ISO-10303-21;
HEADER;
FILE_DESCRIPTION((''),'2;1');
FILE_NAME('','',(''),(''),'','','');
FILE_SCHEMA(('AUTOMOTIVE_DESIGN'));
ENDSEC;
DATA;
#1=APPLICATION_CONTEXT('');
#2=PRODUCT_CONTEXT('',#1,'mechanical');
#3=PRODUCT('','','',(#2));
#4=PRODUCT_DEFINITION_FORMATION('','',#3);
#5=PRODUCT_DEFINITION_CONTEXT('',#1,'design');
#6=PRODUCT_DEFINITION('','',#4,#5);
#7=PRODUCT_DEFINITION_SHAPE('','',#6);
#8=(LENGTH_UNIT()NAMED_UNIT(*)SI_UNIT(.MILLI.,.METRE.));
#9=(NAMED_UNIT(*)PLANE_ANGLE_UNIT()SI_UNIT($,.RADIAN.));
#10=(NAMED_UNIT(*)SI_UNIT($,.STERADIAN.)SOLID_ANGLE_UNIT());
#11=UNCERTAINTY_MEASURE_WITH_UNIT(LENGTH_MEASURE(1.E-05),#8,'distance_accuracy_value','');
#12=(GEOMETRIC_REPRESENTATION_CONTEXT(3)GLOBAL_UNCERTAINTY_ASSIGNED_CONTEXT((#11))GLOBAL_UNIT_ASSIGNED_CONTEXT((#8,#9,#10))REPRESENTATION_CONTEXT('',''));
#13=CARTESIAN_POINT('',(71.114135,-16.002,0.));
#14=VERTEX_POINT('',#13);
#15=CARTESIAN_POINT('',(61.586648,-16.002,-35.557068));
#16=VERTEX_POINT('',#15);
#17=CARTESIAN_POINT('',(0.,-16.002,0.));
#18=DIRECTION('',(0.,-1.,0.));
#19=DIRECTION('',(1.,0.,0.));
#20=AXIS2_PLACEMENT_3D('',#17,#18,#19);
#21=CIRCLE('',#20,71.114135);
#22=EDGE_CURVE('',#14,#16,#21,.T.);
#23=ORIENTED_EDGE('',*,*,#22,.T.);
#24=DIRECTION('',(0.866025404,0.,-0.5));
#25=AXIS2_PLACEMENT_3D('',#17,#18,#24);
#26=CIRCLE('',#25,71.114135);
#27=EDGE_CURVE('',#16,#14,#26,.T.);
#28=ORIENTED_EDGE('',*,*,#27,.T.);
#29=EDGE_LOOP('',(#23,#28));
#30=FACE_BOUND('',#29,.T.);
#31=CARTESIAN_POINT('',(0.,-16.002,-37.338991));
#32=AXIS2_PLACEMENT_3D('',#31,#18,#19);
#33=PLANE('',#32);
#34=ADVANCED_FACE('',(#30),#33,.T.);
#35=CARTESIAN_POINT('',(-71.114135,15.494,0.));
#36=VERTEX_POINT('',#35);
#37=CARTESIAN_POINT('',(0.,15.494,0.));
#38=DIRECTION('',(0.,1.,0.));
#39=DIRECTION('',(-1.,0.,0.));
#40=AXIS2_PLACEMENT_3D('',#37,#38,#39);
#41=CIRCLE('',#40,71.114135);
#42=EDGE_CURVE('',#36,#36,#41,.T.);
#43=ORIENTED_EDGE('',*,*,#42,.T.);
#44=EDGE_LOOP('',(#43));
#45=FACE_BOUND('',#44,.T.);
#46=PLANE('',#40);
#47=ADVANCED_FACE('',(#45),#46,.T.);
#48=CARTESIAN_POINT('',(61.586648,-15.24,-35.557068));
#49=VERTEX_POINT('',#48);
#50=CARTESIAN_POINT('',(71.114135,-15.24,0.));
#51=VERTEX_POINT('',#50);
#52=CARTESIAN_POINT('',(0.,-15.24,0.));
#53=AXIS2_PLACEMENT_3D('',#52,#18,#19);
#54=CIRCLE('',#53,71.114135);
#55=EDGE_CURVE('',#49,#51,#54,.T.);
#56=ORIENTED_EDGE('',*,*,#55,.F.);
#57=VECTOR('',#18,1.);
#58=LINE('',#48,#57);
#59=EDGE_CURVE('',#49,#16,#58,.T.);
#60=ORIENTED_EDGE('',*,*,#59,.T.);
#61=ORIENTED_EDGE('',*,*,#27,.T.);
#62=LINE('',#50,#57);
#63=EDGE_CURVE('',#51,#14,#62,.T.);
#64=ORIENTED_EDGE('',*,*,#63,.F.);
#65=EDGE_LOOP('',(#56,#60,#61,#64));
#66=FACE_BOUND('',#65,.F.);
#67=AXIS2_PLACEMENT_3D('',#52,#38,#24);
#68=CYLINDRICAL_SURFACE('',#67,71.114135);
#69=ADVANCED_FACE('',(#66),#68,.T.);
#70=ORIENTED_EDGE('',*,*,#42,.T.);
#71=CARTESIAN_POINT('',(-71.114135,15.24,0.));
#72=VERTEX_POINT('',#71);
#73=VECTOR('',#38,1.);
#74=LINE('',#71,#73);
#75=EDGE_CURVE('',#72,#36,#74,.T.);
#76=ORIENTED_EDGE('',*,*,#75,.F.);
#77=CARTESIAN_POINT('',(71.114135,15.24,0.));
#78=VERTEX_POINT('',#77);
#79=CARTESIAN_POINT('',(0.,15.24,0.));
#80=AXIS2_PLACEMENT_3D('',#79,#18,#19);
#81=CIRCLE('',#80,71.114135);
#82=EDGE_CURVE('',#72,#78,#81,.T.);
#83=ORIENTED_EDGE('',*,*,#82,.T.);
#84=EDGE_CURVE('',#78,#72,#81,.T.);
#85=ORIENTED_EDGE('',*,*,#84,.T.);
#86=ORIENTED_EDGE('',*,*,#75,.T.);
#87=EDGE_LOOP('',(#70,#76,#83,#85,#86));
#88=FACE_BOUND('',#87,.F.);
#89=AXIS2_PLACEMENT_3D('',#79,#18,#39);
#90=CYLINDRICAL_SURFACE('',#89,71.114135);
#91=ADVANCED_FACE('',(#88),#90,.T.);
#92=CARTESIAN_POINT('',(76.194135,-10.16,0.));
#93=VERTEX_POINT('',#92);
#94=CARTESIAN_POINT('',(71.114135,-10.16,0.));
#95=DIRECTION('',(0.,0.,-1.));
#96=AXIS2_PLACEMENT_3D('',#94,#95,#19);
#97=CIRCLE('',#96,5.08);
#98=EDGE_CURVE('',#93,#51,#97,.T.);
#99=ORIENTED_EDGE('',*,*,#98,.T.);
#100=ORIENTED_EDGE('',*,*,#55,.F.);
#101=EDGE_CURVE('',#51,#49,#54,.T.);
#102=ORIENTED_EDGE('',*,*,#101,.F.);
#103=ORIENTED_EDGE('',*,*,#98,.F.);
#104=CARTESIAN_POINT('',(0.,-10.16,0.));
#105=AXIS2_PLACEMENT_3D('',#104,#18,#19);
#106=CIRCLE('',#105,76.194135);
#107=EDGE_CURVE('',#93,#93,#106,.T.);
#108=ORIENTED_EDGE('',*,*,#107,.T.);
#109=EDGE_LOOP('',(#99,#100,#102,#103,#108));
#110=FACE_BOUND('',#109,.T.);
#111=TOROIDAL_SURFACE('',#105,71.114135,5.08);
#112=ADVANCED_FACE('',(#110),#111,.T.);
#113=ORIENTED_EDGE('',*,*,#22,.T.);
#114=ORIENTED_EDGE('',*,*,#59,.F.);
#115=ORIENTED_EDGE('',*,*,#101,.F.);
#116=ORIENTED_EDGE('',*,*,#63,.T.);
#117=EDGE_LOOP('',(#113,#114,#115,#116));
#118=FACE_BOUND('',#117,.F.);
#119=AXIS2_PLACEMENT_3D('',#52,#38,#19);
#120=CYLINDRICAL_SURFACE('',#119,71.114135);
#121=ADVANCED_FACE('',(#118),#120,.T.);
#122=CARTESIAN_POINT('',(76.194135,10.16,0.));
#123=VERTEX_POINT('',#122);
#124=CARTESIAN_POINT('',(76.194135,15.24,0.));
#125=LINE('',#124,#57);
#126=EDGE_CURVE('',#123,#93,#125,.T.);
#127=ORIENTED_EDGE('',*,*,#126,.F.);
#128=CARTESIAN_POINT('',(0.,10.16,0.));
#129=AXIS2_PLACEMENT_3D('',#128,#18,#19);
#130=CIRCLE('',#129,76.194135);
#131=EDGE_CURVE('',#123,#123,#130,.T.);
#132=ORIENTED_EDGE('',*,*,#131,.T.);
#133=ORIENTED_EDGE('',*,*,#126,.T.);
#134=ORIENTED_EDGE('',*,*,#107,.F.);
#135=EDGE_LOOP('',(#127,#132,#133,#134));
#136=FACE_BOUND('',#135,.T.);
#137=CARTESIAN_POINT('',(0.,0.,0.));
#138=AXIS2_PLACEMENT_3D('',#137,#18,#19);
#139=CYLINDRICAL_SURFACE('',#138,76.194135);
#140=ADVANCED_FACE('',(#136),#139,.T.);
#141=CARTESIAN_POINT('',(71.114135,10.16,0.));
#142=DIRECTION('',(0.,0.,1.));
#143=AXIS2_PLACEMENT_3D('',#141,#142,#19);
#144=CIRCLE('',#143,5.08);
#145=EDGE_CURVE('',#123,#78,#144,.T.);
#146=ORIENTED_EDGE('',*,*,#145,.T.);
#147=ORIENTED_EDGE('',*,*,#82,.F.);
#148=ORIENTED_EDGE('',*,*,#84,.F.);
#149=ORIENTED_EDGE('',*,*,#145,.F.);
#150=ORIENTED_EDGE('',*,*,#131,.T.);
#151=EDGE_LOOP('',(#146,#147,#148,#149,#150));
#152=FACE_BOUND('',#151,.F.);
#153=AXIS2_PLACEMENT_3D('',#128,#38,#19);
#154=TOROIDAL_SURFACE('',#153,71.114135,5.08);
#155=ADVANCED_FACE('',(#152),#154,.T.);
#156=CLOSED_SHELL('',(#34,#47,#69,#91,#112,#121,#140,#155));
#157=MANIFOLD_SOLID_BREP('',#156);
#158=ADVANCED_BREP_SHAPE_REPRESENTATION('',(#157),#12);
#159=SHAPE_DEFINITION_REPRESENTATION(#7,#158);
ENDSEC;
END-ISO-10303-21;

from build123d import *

# Parameters (mm, degrees)
F0_R     = 76.194135209
F1_DEPTH = 15.24
F2_DEPTH = 15.24
F3_R     = 5.08
F5_DEPTH = 0.762
F6_R     = 71.114135209
F7_DEPTH = 0.254


with BuildPart() as f1:
    # F0 (on Front) → F1 (new body)
    with BuildSketch(Plane.XZ):
        Circle(F0_R)
    extrude(amount=F1_DEPTH)

    # F2 (add): a face of the model
    f2_faces = [f1.faces().sort_by_distance(p)[0] for p in [
        (0, 0, 0),
    ]]
    extrude(f2_faces, amount=F2_DEPTH)

    # F3
    f3_edges = [f1.edges().sort_by_distance(p)[0] for p in [
        (76.194135, -7.62, 0),
        (-76.194135, 0, 0),
        (-76.194135, -15.24, 0),
        (76.194135, 7.62, 0),
        (-76.194135, 15.24, 0),
    ]]
    fillet(f3_edges, radius=F3_R)

    # F4 (on face) → F5 (join)
    with BuildSketch(Plane.XZ.offset(15.24)):
        with BuildLine():
            Line((61.5866476591, -35.5570676045), (0, 0))
            Line((0, 0), (-61.5866476591, -35.5570676045))
            ThreePointArc((-61.5866476591, -35.5570676045), (0, -71.114135209), (61.5866476591, -35.5570676045))
        make_face()
        with BuildLine():
            Line((-61.5866476591, -35.5570676045), (0, 0))
            Line((0, 0), (0, 71.114135209))
            ThreePointArc((0, 71.114135209), (-61.5866476591, 35.5570676045), (-61.5866476591, -35.5570676045))
        make_face()
        with BuildLine():
            Line((0, 71.114135209), (0, 0))
            Line((0, 0), (61.5866476591, -35.5570676045))
            ThreePointArc((61.5866476591, -35.5570676045), (68.6909798125, -18.4056925681), (71.114135209, 0))
            ThreePointArc((71.114135209, 0), (50.2852872445, 50.2852872445), (0, 71.114135209))
        make_face()
    extrude(amount=F5_DEPTH)

    # F6 (on face) → F7 (join)
    with BuildSketch(Plane(origin=(0, 15.24, 0), x_dir=(-1, 0, 0), z_dir=(0, 1, 0))):
        Circle(F6_R)
    extrude(amount=F7_DEPTH)


solid = f1.part
